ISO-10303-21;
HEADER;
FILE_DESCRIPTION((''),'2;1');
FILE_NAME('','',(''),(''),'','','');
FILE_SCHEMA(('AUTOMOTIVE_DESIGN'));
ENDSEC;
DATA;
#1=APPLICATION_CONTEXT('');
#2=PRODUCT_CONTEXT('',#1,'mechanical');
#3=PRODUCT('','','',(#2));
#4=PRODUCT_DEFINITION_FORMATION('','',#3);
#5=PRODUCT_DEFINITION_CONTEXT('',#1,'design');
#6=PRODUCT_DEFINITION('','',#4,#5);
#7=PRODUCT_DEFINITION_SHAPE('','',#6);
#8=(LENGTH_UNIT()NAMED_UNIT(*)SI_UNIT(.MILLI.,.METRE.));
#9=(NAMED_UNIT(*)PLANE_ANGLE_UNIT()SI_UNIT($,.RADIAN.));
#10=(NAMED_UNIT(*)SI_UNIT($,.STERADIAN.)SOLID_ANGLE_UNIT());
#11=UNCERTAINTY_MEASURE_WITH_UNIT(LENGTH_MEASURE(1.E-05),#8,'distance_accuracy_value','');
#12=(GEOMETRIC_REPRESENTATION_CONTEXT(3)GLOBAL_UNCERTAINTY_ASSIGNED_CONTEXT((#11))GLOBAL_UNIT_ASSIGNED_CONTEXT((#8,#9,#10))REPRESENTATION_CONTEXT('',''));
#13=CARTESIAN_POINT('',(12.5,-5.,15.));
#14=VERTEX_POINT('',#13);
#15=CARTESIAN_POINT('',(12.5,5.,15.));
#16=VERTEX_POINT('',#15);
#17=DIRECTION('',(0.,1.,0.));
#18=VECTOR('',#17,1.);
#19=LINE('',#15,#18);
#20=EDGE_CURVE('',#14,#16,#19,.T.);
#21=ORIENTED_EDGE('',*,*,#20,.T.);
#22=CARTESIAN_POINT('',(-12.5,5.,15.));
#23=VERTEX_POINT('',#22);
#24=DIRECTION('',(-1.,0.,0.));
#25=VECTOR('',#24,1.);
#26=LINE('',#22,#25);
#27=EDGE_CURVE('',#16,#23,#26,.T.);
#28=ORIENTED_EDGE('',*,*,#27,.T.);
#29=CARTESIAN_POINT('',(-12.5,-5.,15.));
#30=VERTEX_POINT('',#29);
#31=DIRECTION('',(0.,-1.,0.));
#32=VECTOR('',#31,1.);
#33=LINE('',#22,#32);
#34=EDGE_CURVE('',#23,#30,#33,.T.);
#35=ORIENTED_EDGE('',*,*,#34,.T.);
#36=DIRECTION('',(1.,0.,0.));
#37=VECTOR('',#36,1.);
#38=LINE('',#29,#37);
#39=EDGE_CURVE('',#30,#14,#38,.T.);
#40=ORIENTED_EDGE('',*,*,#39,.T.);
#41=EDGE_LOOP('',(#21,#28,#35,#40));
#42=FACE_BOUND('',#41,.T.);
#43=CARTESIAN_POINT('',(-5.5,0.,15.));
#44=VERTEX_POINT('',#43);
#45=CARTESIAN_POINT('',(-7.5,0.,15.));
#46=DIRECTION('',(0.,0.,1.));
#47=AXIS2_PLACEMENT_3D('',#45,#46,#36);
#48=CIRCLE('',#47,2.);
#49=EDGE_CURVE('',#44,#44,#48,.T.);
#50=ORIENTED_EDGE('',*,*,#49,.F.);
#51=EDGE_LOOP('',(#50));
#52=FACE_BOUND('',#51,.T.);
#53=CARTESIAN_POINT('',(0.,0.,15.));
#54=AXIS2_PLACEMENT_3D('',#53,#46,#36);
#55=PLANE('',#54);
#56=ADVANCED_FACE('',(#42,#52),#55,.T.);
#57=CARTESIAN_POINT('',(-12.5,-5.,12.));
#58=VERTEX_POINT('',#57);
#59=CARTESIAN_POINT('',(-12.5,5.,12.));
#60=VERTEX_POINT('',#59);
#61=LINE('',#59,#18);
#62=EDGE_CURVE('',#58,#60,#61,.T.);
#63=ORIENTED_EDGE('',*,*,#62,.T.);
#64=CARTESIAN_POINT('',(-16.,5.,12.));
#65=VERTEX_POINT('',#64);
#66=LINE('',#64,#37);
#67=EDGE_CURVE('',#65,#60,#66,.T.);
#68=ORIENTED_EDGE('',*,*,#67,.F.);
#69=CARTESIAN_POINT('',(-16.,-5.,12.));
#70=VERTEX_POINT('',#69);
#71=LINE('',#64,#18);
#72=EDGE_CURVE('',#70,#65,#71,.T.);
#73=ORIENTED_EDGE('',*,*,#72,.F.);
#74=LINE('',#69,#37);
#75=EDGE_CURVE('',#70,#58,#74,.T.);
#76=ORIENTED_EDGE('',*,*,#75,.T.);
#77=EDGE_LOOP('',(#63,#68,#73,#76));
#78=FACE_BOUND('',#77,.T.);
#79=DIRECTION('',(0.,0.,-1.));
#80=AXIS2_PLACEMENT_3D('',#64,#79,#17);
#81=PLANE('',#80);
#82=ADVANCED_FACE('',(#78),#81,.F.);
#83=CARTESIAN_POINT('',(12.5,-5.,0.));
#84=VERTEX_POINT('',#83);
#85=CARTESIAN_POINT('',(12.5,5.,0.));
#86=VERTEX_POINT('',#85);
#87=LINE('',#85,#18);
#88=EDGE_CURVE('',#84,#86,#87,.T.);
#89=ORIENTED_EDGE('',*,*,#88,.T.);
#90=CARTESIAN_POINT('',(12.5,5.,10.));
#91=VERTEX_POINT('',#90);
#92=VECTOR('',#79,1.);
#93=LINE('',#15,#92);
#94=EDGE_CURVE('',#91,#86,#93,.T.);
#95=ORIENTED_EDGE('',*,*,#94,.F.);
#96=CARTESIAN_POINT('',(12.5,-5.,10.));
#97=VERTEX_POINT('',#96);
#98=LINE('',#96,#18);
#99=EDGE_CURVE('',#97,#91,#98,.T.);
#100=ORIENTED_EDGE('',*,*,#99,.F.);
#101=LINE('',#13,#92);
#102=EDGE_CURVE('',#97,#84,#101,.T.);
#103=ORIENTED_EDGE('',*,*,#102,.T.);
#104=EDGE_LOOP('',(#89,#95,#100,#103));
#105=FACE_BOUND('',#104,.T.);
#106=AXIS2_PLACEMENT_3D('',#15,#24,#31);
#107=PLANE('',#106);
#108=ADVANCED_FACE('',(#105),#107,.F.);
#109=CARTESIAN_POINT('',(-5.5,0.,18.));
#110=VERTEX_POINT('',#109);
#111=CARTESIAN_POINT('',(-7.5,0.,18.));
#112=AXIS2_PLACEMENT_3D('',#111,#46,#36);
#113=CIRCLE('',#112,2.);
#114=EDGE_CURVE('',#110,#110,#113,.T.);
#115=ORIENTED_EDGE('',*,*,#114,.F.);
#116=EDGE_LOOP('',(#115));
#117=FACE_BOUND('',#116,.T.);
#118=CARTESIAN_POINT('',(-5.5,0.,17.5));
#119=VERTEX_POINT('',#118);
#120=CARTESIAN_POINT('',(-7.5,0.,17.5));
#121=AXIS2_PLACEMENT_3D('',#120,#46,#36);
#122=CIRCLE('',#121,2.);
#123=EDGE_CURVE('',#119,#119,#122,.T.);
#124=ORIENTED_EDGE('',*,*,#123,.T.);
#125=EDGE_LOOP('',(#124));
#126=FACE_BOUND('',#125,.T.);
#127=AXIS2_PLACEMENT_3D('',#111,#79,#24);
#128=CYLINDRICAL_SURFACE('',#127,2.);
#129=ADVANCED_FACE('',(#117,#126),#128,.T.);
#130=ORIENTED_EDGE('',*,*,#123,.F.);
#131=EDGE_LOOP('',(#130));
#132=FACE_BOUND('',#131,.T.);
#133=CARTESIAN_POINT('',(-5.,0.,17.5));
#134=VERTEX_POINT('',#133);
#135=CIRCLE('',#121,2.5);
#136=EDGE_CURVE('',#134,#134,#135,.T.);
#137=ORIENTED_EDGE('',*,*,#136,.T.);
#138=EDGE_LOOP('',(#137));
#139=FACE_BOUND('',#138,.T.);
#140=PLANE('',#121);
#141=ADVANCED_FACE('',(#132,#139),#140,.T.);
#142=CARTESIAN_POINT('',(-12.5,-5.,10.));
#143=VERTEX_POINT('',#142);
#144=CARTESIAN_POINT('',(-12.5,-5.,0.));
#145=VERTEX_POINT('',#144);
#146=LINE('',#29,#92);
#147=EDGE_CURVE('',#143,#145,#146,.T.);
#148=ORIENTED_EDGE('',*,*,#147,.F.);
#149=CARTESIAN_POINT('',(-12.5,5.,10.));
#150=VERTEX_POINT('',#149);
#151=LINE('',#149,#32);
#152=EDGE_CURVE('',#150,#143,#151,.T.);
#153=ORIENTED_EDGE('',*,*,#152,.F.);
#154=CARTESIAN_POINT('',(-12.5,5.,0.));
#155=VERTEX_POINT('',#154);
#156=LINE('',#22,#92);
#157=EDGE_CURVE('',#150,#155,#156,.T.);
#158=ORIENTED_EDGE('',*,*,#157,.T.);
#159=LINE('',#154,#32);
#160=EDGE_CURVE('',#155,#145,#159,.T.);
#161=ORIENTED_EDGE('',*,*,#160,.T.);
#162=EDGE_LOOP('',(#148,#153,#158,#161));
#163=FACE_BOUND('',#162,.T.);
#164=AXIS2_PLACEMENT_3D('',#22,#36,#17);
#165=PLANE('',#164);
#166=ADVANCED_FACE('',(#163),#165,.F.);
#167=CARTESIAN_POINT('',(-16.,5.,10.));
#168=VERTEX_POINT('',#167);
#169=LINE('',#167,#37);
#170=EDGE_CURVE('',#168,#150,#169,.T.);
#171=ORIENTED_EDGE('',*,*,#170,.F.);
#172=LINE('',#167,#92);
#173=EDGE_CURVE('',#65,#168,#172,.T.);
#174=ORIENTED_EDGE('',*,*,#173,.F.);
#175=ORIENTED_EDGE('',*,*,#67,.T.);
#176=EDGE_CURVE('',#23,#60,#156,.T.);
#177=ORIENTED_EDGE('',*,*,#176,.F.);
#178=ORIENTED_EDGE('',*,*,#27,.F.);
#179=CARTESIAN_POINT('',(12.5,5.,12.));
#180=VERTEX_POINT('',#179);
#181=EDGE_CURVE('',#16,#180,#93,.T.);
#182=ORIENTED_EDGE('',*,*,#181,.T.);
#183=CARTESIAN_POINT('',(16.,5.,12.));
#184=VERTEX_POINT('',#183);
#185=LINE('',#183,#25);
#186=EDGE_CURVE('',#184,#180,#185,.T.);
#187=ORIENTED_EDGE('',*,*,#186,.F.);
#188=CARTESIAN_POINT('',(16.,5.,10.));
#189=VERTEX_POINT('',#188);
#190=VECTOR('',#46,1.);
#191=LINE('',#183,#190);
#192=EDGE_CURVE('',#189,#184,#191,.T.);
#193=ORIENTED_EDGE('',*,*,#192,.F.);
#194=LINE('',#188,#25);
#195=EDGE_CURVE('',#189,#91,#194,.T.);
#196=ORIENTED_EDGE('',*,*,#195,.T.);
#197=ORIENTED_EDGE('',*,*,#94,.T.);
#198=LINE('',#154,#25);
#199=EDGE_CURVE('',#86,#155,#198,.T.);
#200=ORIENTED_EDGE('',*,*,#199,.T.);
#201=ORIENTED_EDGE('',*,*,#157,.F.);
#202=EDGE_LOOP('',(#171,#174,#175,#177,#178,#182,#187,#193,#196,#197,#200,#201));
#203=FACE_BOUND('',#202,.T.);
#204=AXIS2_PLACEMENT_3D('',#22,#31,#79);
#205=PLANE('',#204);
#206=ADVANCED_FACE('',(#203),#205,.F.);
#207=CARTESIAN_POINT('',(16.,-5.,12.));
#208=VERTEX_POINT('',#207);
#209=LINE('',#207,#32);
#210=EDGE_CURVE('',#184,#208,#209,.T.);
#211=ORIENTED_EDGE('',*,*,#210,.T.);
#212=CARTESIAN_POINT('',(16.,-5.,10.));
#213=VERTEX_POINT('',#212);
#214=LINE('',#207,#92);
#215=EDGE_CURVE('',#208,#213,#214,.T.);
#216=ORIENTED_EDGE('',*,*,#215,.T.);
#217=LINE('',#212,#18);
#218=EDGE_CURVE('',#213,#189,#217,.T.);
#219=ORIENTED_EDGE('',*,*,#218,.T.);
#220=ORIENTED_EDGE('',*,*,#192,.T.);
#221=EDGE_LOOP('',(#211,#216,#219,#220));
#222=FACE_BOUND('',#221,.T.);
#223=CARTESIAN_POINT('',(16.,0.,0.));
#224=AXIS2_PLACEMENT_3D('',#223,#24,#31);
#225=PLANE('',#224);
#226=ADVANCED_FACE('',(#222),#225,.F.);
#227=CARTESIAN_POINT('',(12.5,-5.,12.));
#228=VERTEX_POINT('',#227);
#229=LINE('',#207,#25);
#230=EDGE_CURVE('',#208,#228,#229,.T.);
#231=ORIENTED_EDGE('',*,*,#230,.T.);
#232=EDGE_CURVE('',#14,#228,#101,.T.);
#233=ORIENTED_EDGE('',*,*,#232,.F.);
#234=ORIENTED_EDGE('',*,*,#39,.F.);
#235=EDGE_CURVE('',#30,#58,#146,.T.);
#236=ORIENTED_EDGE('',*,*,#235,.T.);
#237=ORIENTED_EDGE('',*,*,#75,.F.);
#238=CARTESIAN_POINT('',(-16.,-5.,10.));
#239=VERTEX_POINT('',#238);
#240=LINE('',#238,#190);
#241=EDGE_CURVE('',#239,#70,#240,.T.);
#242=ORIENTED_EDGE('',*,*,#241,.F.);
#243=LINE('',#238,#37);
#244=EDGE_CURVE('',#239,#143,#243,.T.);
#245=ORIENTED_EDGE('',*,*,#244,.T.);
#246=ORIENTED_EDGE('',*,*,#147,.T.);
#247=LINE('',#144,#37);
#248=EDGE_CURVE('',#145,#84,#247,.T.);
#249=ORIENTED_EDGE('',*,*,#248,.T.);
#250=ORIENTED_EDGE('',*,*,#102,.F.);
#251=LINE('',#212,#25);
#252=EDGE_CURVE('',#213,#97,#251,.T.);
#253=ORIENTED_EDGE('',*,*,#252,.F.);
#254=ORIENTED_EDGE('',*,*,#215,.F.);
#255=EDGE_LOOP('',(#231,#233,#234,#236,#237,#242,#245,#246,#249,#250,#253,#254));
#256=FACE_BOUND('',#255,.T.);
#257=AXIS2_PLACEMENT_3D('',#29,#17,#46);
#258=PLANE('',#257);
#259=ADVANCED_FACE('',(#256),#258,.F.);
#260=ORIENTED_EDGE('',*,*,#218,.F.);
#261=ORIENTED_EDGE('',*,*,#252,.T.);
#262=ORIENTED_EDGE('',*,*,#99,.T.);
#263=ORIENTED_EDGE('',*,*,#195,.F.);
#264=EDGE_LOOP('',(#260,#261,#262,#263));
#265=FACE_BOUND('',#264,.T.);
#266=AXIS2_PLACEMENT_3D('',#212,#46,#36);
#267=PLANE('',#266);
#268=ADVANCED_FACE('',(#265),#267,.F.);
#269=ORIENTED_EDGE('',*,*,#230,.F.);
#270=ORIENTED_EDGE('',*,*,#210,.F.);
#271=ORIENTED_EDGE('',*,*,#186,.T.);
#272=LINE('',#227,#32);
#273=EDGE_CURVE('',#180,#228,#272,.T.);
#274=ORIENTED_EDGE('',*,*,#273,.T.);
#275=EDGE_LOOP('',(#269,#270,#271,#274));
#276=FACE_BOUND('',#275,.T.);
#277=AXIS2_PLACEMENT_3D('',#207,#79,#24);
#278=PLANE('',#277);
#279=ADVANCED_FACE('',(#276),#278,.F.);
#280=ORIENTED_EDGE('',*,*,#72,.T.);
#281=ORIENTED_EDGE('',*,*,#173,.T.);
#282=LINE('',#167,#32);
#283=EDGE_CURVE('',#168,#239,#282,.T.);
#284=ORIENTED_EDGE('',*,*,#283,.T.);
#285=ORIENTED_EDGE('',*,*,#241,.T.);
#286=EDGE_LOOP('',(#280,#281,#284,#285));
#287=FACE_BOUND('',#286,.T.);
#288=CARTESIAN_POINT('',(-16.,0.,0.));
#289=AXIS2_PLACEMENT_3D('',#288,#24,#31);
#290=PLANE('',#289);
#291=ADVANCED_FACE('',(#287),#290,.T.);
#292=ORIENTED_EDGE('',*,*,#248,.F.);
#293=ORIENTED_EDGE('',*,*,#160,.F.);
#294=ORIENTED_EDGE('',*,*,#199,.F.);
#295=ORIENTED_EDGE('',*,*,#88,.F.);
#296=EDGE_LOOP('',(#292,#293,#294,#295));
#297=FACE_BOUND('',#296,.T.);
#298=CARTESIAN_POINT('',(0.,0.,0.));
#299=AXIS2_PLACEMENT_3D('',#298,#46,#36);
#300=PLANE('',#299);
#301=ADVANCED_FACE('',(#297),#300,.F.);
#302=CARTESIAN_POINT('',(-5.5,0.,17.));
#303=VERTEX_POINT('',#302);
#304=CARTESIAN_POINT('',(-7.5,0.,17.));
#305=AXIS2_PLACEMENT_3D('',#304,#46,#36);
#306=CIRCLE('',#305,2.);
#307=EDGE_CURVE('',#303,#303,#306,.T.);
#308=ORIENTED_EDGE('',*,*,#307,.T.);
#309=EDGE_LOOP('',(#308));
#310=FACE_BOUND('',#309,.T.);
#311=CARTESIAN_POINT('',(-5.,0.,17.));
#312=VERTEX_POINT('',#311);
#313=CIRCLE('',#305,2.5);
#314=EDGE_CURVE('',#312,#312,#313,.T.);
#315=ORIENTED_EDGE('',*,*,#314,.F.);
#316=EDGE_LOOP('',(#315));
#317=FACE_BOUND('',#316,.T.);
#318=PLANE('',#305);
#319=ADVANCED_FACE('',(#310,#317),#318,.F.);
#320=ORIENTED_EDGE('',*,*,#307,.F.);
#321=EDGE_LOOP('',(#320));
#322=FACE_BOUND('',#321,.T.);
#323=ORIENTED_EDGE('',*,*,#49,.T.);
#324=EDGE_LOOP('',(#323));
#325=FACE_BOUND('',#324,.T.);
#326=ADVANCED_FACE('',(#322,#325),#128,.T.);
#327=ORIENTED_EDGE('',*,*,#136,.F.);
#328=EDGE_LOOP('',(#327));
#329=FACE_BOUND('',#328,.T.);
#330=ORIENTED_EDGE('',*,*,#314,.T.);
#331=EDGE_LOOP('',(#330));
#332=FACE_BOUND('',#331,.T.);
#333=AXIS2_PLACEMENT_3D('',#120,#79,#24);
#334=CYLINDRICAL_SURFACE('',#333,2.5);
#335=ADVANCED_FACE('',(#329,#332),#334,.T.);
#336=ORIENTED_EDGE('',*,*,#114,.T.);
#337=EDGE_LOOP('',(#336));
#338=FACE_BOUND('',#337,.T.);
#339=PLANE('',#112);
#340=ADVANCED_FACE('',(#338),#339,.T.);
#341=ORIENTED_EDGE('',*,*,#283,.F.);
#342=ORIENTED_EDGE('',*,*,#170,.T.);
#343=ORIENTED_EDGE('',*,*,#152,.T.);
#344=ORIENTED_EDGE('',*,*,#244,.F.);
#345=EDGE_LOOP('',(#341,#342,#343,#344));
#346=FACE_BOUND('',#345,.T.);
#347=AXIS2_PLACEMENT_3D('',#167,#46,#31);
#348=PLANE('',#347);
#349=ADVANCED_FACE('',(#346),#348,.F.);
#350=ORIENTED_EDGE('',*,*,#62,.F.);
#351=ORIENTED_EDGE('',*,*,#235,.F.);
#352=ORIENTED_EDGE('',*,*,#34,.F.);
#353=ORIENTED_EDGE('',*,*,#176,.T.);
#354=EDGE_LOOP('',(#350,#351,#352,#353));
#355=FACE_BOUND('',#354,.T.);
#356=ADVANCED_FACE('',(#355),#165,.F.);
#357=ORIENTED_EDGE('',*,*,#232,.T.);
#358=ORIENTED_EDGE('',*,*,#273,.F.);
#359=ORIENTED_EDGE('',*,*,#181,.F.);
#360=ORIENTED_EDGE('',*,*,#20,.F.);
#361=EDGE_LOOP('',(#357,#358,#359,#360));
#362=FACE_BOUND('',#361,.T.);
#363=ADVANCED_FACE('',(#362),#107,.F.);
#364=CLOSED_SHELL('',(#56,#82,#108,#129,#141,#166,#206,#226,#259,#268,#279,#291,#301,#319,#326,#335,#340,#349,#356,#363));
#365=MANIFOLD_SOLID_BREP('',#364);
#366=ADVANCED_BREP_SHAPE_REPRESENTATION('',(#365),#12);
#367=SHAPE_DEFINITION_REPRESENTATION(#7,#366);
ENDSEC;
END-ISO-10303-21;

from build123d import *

# Parameters (mm, degrees)
SKETCH_1_W      = 25
SKETCH_1_H      = 10
EXTRUDE_1_DEPTH = 15
SKETCH_2_R      = 2
EXTRUDE_2_DEPTH = 3
SKETCH_3_W      = 2
SKETCH_3_H      = 10
EXTRUDE_3_DEPTH = 3.5
SKETCH_4_W      = 2
SKETCH_4_H      = 10
EXTRUDE_4_DEPTH = 3.5
EXTRUDE_START   = 2
SKETCH_7_R      = 2.5
EXTRUDE_5_DEPTH = 0.5


with BuildPart() as part:
    # 스케치1 → 보스-돌출1 (new body)
    with BuildSketch(Plane.XY):
        Rectangle(SKETCH_1_W, SKETCH_1_H)
    extrude(amount=EXTRUDE_1_DEPTH)

    # 스케치2 → 보스-돌출2 (add)
    with BuildSketch(Plane.XY.offset(15)):
        with Locations((-7.5, 0)):
            Circle(SKETCH_2_R)
    extrude(amount=EXTRUDE_2_DEPTH)

    # 스케치3 → 보스-돌출3 (add)
    with BuildSketch(Plane(origin=(12.5, 0, 0), x_dir=(0, 0, -1), z_dir=(1, 0, 0))):
        with Locations((-11, 0)):
            Rectangle(SKETCH_3_W, SKETCH_3_H)
    extrude(amount=EXTRUDE_3_DEPTH)

    # 스케치4 → 보스-돌출4 (add)
    with BuildSketch(Plane.ZY.offset(12.5)):
        with Locations((11, 0)):
            Rectangle(SKETCH_4_W, SKETCH_4_H)
    extrude(amount=EXTRUDE_4_DEPTH)

    # 스케치7 → 보스-돌출5 (add)
    with BuildSketch(Plane.XY.offset(15).offset(EXTRUDE_START)):
        with Locations((-7.5, 0)):
            Circle(SKETCH_7_R)
    extrude(amount=EXTRUDE_5_DEPTH)


solid = part.part
